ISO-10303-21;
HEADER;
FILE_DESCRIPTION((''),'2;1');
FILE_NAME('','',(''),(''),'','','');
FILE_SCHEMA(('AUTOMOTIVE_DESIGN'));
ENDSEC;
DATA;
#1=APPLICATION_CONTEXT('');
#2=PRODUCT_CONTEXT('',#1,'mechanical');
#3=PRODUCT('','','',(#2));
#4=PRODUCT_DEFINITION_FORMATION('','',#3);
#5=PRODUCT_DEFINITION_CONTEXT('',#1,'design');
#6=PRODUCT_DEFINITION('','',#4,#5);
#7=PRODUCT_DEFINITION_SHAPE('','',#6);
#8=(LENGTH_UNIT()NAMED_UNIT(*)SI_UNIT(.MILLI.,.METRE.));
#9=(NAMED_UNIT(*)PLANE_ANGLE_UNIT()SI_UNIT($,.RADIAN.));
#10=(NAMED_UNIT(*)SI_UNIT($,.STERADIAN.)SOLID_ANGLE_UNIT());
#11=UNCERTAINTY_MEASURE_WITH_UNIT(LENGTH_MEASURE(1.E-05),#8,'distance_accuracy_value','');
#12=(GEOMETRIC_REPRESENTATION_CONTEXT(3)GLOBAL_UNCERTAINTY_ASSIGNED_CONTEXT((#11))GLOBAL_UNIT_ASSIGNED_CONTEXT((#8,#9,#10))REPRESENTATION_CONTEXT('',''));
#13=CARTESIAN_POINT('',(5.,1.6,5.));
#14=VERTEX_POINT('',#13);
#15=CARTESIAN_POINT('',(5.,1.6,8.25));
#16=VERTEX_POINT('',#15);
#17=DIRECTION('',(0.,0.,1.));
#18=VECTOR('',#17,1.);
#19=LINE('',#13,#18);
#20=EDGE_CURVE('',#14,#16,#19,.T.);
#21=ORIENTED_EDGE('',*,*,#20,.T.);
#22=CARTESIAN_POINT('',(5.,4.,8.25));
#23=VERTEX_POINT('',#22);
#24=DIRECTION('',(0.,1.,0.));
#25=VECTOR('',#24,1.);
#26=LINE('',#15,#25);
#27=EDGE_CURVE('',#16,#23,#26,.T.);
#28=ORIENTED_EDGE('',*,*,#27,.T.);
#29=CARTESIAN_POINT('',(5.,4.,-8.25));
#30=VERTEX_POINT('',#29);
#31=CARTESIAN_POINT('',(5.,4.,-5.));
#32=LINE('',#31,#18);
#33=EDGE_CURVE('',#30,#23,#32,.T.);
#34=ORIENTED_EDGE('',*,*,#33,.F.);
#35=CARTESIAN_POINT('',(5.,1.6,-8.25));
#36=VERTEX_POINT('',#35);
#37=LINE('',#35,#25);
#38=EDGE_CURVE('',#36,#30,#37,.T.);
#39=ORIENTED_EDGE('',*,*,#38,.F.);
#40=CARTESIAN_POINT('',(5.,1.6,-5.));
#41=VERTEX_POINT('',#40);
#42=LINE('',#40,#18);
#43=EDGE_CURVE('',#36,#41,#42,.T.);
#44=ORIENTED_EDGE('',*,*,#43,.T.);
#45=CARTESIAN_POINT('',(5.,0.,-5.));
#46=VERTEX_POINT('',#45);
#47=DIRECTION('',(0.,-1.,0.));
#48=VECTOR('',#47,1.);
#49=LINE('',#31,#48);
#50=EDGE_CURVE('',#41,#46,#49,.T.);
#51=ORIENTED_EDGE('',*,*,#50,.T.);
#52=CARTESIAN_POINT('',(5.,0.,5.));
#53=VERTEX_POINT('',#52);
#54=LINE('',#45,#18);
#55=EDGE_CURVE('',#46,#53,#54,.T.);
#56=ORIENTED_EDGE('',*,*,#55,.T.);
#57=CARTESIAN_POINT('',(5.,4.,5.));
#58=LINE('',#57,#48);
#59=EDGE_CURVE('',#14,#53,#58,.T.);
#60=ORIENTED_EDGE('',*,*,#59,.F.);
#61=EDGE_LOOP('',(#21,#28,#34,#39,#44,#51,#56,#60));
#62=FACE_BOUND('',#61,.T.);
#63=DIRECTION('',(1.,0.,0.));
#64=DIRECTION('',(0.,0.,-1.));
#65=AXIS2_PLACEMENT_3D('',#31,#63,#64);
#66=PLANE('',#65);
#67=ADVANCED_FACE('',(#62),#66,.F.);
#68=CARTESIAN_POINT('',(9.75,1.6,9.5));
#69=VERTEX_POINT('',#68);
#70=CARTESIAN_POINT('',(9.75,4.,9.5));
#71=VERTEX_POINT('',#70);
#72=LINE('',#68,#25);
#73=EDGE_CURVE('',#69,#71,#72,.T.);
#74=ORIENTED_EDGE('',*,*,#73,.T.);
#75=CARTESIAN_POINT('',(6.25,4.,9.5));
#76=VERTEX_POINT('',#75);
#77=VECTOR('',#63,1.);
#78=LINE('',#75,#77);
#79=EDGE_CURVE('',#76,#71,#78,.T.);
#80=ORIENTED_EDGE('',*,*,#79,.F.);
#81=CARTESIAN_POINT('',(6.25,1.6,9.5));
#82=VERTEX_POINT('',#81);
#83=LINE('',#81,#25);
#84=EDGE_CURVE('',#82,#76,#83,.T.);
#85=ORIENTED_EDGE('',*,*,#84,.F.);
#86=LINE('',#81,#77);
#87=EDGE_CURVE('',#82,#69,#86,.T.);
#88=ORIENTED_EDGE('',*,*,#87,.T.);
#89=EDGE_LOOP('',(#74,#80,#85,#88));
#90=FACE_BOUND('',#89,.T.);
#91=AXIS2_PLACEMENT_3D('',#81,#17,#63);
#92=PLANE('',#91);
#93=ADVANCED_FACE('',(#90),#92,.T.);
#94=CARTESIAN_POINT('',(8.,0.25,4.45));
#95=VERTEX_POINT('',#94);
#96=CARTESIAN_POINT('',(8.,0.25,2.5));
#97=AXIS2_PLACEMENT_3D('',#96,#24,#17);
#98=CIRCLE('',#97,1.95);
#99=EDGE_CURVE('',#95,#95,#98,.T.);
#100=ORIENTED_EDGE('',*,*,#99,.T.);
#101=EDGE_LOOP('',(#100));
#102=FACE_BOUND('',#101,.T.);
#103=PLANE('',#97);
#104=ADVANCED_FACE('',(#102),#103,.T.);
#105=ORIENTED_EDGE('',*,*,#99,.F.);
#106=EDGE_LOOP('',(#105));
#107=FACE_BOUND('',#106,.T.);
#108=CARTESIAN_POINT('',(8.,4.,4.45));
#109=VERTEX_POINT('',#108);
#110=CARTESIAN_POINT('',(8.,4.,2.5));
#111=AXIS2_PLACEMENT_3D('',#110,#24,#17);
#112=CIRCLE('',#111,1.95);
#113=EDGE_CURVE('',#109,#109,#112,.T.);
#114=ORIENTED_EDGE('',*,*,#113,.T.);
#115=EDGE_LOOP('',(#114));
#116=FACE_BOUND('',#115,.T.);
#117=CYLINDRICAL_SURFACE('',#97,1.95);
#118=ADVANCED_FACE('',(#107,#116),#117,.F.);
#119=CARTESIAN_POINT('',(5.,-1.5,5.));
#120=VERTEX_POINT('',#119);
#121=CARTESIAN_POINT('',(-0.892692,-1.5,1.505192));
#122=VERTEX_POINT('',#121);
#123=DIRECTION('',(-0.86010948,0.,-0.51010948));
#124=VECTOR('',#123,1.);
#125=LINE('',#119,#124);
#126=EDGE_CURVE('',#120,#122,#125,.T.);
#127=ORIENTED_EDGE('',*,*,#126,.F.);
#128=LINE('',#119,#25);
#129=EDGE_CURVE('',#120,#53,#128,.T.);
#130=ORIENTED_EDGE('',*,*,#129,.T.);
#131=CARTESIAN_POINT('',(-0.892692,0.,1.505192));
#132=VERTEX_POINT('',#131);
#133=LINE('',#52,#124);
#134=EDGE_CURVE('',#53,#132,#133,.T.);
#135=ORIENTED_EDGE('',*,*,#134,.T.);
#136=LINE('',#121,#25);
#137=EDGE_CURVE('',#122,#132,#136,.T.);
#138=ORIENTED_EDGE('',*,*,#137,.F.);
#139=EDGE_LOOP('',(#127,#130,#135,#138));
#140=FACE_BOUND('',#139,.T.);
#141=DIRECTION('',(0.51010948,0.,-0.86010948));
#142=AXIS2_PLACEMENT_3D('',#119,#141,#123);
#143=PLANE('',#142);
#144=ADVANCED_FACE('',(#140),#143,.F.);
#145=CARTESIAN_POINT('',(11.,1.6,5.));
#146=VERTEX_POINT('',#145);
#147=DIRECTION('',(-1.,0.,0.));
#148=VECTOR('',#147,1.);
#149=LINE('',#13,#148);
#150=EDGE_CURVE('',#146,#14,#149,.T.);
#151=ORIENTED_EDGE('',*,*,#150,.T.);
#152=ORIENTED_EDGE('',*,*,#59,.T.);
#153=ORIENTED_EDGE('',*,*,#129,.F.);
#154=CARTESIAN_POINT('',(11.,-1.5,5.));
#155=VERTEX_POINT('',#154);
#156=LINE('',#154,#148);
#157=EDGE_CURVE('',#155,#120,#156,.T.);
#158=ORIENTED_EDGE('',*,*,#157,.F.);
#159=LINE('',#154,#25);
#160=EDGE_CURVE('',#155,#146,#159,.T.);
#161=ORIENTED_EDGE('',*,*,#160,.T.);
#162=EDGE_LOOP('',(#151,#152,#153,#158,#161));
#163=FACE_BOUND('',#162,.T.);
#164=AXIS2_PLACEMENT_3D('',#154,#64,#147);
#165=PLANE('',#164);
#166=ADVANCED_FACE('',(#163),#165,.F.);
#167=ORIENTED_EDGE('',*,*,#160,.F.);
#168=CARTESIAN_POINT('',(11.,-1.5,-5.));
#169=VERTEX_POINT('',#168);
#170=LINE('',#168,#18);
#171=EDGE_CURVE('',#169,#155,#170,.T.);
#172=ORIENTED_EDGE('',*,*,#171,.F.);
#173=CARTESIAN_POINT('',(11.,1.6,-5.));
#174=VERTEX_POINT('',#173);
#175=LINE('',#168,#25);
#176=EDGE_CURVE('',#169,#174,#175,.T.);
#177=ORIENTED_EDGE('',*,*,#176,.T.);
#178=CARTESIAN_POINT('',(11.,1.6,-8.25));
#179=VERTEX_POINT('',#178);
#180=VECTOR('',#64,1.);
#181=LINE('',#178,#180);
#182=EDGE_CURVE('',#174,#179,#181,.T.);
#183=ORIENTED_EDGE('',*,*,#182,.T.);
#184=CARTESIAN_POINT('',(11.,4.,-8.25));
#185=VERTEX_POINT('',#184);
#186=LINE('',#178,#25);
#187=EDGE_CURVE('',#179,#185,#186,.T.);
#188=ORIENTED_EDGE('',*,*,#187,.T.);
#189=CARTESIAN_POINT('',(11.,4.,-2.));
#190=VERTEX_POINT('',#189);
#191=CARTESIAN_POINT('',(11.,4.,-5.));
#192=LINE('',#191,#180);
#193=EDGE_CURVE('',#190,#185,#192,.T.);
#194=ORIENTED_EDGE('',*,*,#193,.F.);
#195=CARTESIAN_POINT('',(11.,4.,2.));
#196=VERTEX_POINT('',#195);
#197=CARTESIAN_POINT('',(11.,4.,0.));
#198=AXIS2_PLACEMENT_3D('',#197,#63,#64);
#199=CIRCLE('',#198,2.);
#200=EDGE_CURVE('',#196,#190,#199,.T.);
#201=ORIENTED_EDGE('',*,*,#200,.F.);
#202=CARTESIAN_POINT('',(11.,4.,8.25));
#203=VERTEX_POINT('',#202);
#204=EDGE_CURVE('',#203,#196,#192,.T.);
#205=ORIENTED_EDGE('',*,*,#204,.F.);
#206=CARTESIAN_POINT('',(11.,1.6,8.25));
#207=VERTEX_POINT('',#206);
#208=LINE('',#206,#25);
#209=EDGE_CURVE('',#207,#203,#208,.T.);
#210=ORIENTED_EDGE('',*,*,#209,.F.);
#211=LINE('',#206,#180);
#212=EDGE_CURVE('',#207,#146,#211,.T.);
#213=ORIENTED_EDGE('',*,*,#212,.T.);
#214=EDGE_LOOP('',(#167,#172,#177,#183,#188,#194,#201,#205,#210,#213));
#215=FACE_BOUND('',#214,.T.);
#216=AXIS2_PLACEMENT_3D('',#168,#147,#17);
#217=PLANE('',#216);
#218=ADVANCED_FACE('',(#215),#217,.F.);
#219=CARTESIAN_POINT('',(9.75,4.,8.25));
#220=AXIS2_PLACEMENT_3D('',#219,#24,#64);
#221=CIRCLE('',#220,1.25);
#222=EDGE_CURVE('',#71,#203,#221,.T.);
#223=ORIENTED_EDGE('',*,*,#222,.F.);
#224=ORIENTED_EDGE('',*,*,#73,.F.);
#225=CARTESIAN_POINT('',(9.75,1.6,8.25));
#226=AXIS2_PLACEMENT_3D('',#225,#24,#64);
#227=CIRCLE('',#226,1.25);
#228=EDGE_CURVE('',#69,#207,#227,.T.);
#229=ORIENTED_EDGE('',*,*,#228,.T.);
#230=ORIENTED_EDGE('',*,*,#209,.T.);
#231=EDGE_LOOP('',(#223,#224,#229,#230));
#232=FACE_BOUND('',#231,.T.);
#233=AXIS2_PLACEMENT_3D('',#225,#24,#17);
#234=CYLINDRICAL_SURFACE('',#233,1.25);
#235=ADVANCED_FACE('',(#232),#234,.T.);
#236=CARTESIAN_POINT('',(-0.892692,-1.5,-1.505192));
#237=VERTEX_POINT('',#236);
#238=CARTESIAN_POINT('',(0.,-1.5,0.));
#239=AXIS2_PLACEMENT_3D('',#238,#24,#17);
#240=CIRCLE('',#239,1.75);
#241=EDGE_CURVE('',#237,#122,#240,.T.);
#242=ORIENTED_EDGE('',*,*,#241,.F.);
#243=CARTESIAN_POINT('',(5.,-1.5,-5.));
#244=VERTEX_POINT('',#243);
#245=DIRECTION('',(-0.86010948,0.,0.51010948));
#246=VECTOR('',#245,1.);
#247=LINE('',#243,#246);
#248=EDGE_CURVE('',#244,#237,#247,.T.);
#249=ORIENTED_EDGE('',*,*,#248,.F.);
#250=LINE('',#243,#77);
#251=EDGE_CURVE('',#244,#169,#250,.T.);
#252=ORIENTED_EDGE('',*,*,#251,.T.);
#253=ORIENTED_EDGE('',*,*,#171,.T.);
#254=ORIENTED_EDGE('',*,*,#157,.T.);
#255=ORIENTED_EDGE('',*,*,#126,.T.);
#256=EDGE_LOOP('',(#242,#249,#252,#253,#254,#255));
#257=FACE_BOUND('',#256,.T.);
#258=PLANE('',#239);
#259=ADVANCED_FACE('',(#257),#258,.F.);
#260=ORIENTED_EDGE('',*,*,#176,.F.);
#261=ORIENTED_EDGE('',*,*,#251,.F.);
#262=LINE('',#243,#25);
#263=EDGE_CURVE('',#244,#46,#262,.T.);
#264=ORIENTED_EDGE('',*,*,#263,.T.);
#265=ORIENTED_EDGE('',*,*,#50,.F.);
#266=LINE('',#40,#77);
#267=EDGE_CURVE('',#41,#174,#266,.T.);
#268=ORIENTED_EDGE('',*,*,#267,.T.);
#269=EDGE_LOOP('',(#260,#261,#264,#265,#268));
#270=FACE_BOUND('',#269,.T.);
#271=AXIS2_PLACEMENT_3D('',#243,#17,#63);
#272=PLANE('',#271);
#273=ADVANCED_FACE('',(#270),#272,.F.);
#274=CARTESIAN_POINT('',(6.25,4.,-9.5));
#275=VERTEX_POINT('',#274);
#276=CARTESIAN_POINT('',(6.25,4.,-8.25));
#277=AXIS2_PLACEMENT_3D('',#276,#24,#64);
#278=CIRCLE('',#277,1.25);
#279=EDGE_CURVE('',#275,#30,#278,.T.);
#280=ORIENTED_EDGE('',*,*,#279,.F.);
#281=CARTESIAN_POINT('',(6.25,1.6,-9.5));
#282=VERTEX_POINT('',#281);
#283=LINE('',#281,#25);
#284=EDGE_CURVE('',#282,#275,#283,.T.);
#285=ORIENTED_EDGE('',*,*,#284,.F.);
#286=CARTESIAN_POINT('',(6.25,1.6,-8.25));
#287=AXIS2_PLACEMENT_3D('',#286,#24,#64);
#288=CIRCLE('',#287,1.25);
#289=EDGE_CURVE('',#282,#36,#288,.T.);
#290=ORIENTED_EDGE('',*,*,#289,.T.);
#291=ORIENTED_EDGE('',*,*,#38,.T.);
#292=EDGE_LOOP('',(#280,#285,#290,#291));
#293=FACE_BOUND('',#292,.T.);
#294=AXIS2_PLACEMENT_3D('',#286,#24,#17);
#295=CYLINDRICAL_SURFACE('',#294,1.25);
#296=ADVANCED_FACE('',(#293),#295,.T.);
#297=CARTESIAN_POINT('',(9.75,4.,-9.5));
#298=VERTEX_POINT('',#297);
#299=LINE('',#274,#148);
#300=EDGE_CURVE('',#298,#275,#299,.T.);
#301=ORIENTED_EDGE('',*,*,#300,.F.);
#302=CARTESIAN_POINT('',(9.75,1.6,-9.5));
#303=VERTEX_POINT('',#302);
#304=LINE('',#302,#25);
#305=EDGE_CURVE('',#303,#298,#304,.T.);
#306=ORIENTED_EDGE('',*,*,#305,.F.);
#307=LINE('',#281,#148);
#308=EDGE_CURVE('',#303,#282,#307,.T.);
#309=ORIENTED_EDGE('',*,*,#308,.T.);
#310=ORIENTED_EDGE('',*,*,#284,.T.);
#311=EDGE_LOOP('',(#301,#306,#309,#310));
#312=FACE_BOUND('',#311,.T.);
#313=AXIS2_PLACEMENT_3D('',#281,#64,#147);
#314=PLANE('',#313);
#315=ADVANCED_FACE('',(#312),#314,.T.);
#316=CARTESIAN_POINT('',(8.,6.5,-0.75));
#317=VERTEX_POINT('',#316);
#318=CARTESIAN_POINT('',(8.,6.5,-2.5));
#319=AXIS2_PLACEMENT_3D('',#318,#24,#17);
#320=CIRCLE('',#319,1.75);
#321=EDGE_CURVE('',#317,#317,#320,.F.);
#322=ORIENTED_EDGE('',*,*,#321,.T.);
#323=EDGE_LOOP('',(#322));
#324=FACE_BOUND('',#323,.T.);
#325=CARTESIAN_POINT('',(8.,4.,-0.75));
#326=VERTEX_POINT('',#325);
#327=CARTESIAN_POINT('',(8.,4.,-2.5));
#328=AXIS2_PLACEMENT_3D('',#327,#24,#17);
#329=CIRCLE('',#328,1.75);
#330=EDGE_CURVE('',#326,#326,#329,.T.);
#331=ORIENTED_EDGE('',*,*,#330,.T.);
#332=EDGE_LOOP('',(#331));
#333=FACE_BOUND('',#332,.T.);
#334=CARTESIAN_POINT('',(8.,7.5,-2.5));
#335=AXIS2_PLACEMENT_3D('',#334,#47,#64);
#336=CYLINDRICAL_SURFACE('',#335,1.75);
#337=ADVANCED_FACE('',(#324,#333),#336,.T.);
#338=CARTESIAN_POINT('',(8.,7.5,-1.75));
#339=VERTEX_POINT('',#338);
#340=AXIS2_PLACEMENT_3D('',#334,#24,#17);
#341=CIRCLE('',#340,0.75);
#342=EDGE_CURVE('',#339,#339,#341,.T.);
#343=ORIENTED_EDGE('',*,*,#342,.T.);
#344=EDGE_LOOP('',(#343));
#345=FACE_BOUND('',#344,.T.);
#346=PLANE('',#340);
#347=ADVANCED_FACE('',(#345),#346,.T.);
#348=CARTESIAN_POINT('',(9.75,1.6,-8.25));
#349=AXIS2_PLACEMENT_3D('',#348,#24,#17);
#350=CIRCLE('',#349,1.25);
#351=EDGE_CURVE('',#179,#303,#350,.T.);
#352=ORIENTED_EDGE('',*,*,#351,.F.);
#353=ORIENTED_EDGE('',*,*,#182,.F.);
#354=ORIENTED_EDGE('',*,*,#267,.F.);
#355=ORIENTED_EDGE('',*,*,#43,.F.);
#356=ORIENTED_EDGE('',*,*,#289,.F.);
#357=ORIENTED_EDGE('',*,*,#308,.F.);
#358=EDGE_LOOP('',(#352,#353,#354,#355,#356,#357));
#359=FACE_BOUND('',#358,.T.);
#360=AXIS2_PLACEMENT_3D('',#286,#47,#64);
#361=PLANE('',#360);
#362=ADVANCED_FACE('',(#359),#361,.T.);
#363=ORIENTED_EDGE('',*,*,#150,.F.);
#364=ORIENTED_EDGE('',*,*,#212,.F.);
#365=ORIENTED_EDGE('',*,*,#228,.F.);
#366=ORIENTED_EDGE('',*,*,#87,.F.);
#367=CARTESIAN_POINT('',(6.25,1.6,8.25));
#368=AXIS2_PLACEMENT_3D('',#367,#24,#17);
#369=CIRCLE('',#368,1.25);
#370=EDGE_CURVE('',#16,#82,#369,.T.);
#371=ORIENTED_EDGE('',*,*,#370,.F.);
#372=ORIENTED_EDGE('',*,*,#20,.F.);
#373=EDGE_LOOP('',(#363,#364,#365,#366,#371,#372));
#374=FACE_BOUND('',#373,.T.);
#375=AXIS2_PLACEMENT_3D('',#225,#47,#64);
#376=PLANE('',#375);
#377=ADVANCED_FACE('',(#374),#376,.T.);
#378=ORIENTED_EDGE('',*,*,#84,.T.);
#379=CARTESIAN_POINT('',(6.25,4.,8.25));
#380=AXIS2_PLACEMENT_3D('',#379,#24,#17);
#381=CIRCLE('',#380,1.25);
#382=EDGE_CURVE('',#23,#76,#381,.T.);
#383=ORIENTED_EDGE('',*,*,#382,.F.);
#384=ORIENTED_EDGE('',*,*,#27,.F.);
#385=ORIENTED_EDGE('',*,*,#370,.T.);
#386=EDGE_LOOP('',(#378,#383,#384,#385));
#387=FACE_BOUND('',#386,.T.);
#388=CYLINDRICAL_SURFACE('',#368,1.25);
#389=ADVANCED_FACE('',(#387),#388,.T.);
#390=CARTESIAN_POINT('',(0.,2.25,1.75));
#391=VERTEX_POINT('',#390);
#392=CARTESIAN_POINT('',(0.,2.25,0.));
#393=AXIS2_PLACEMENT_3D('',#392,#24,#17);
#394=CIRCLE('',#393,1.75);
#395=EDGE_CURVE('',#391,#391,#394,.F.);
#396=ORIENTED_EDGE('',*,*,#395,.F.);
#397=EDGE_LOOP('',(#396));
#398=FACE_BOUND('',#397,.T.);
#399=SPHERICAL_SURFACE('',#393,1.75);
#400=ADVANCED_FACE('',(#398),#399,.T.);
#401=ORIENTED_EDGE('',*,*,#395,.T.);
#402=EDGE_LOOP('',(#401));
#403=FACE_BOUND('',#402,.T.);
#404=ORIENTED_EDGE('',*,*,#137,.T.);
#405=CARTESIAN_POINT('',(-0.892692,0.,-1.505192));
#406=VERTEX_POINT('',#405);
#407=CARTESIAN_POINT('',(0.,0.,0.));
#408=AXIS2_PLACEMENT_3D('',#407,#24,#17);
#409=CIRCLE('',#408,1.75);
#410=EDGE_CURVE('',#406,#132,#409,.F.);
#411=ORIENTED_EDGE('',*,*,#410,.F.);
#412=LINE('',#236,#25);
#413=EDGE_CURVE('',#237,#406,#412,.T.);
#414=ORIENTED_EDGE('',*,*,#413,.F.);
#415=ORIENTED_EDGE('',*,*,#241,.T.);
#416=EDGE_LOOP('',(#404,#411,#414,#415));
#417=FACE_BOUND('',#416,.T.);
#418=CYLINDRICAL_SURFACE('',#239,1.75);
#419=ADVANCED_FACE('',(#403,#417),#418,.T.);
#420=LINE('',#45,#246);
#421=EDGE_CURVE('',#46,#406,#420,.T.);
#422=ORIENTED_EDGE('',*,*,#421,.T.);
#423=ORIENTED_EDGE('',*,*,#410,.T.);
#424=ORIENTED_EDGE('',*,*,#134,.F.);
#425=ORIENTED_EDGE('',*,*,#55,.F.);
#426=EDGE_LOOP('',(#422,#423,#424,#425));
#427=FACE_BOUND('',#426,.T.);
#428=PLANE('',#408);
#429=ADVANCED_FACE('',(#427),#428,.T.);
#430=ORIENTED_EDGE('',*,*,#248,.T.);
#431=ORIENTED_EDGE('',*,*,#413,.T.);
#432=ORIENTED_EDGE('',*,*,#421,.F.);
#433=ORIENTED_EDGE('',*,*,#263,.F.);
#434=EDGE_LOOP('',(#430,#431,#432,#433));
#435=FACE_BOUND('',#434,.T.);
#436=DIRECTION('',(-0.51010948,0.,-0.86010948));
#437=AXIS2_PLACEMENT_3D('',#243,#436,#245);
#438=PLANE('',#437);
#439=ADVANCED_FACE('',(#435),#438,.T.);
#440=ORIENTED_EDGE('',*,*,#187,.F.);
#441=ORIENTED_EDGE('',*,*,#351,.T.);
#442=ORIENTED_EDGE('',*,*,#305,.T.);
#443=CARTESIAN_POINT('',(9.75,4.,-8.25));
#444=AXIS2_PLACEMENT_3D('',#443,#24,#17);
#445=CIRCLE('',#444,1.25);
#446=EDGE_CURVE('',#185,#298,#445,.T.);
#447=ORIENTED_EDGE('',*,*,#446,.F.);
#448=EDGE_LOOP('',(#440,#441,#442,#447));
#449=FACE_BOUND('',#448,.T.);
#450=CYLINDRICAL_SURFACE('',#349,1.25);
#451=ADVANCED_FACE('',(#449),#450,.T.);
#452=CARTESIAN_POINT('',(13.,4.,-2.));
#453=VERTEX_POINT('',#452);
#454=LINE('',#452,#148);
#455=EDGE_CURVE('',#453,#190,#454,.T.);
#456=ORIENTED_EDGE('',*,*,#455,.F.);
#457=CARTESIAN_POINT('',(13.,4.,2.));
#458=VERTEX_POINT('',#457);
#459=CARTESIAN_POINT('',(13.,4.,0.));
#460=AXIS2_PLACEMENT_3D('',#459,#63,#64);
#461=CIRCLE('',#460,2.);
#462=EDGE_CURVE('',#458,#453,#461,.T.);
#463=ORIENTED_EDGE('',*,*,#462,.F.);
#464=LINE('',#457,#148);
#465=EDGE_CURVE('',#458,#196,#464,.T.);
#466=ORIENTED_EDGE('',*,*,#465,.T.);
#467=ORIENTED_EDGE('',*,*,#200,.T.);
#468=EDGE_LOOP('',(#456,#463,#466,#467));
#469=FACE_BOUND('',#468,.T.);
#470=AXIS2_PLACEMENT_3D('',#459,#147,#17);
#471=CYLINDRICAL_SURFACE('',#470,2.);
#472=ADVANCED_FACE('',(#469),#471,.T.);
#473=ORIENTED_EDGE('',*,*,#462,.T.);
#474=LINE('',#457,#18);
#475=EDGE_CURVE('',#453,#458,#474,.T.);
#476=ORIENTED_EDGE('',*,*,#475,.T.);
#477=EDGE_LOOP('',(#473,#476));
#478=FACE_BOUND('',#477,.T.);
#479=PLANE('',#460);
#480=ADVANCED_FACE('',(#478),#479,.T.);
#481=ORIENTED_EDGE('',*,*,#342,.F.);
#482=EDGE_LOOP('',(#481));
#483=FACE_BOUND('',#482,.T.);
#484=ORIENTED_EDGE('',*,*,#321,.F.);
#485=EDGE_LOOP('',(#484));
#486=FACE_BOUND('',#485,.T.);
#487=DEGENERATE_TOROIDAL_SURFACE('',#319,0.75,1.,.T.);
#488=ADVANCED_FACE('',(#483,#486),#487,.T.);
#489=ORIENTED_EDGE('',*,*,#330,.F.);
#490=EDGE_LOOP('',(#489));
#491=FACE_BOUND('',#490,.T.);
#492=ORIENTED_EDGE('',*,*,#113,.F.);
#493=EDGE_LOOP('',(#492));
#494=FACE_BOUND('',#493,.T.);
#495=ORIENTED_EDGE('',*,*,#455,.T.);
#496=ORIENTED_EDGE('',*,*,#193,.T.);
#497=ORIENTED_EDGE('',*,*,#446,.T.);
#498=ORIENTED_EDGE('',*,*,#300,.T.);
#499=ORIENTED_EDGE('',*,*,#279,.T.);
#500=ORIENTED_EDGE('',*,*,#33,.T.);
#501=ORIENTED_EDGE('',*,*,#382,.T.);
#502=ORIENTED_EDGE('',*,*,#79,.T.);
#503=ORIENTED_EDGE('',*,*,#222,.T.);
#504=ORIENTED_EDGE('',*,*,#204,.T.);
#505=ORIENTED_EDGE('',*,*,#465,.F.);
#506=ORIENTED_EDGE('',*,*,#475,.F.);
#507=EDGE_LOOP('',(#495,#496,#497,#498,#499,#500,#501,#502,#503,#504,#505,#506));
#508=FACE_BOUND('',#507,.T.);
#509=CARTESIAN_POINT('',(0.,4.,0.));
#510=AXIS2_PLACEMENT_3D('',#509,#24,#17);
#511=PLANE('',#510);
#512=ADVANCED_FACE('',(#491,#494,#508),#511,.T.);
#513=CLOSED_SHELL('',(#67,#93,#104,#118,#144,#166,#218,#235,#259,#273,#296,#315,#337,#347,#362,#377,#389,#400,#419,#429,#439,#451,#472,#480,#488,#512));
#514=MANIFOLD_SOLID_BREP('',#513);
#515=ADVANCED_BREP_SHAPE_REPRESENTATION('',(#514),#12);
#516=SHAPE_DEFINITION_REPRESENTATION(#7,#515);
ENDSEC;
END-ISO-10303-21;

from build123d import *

# Parameters (mm, degrees)
BOSS_EXTRUDE1_DEPTH = 1.5
BOSS_EXTRUDE2_START = 4
SKETCH2_R           = 1.75
SKETCH2_W           = 6
SKETCH2_H           = 10
BOSS_EXTRUDE2_DEPTH = 4
BOSS_EXTRUDE3_DEPTH = 2.4
FILLET1_R           = 1.75
SKETCH4_R           = 1.75
BOSS_EXTRUDE4_DEPTH = 3.5
FILLET2_R           = 1
SKETCH5_R           = 1.95
CUT_EXTRUDE1_DEPTH  = 3.75
BOSS_EXTRUDE5_DEPTH = 2


with BuildPart() as part:
    # Sketch1 → Boss-Extrude1 (new body)
    with BuildSketch(Plane(origin=(0, 0, 0), x_dir=(1, 0, 0), z_dir=(0, 1, 0))):
        with BuildLine():
            Line((5, 5), (11, 5))
            Line((11, 5), (11, -5))
            Line((11, -5), (5, -5))
            Line((5, -5), (-0.892691591, -1.505191591))
            ThreePointArc((-0.892691591, -1.505191591), (-1.75, 0), (-0.892691591, 1.505191591))
            Line((-0.892691591, 1.505191591), (5, 5))
        make_face()
    extrude(amount=-BOSS_EXTRUDE1_DEPTH)

    # Sketch2 → Boss-Extrude2 (add)
    with BuildSketch(Plane(origin=(0, 0, 0), x_dir=(1, 0, 0), z_dir=(0, 1, 0)).offset(BOSS_EXTRUDE2_START)):
        with Locations(Location((0, 0, 0), (0, 0, 270))):
            Circle(SKETCH2_R)
        with Locations((8, 0)):
            Rectangle(SKETCH2_W, SKETCH2_H)
    extrude(amount=-BOSS_EXTRUDE2_DEPTH)

    # Sketch3 → Boss-Extrude3 (add)
    with BuildSketch(Plane(origin=(0, 4, 0), x_dir=(1, 0, 0), z_dir=(0, 1, 0))):
        with BuildLine():
            Line((5, 5), (11, 5))
            Line((11, 5), (11, 8.25))
            ThreePointArc((11, 8.25), (10.633883476, 9.133883476), (9.75, 9.5))
            Line((9.75, 9.5), (6.25, 9.5))
            ThreePointArc((6.25, 9.5), (5.366116524, 9.133883476), (5, 8.25))
            Line((5, 8.25), (5, 5))
        make_face()
        with BuildLine():
            Line((5, -5), (11, -5))
            Line((11, -5), (11, -8.25))
            ThreePointArc((11, -8.25), (10.633883476, -9.133883476), (9.75, -9.5))
            Line((9.75, -9.5), (6.25, -9.5))
            ThreePointArc((6.25, -9.5), (5.366116524, -9.133883476), (5, -8.25))
            Line((5, -8.25), (5, -5))
        make_face()
    extrude(amount=-BOSS_EXTRUDE3_DEPTH)

    # Fillet1
    fillet1_edges = [part.edges().sort_by_distance(p)[0] for p in [
        (0, 4, -1.75),
    ]]
    fillet(fillet1_edges, radius=FILLET1_R)

    # Sketch4 → Boss-Extrude4 (add)
    with BuildSketch(Plane(origin=(0, 4, 0), x_dir=(1, 0, 0), z_dir=(0, 1, 0))):
        with Locations(Location((8, 2.5, 0), (0, 0, 270))):
            Circle(SKETCH4_R)
    extrude(amount=BOSS_EXTRUDE4_DEPTH)

    # Fillet2
    fillet2_edges = [part.edges().sort_by_distance(p)[0] for p in [
        (8, 7.5, -4.25),
    ]]
    fillet(fillet2_edges, radius=FILLET2_R)

    # Sketch5 → Cut-Extrude1 (cut)
    with BuildSketch(Plane(origin=(0, 4, 0), x_dir=(1, 0, 0), z_dir=(0, 1, 0))):
        with Locations(Location((8, -2.5, 0), (0, 0, 270))):
            Circle(SKETCH5_R)
    extrude(amount=-CUT_EXTRUDE1_DEPTH, mode=Mode.SUBTRACT)

    # Sketch6 → Boss-Extrude5 (add)
    with BuildSketch(Plane(origin=(11, 0, 0), x_dir=(0, 0, -1), z_dir=(1, 0, 0))):
        with BuildLine():
            Line((-2, 4), (2, 4))
            ThreePointArc((2, 4), (0, 2), (-2, 4))
        make_face()
    extrude(amount=BOSS_EXTRUDE5_DEPTH)


solid = part.part
